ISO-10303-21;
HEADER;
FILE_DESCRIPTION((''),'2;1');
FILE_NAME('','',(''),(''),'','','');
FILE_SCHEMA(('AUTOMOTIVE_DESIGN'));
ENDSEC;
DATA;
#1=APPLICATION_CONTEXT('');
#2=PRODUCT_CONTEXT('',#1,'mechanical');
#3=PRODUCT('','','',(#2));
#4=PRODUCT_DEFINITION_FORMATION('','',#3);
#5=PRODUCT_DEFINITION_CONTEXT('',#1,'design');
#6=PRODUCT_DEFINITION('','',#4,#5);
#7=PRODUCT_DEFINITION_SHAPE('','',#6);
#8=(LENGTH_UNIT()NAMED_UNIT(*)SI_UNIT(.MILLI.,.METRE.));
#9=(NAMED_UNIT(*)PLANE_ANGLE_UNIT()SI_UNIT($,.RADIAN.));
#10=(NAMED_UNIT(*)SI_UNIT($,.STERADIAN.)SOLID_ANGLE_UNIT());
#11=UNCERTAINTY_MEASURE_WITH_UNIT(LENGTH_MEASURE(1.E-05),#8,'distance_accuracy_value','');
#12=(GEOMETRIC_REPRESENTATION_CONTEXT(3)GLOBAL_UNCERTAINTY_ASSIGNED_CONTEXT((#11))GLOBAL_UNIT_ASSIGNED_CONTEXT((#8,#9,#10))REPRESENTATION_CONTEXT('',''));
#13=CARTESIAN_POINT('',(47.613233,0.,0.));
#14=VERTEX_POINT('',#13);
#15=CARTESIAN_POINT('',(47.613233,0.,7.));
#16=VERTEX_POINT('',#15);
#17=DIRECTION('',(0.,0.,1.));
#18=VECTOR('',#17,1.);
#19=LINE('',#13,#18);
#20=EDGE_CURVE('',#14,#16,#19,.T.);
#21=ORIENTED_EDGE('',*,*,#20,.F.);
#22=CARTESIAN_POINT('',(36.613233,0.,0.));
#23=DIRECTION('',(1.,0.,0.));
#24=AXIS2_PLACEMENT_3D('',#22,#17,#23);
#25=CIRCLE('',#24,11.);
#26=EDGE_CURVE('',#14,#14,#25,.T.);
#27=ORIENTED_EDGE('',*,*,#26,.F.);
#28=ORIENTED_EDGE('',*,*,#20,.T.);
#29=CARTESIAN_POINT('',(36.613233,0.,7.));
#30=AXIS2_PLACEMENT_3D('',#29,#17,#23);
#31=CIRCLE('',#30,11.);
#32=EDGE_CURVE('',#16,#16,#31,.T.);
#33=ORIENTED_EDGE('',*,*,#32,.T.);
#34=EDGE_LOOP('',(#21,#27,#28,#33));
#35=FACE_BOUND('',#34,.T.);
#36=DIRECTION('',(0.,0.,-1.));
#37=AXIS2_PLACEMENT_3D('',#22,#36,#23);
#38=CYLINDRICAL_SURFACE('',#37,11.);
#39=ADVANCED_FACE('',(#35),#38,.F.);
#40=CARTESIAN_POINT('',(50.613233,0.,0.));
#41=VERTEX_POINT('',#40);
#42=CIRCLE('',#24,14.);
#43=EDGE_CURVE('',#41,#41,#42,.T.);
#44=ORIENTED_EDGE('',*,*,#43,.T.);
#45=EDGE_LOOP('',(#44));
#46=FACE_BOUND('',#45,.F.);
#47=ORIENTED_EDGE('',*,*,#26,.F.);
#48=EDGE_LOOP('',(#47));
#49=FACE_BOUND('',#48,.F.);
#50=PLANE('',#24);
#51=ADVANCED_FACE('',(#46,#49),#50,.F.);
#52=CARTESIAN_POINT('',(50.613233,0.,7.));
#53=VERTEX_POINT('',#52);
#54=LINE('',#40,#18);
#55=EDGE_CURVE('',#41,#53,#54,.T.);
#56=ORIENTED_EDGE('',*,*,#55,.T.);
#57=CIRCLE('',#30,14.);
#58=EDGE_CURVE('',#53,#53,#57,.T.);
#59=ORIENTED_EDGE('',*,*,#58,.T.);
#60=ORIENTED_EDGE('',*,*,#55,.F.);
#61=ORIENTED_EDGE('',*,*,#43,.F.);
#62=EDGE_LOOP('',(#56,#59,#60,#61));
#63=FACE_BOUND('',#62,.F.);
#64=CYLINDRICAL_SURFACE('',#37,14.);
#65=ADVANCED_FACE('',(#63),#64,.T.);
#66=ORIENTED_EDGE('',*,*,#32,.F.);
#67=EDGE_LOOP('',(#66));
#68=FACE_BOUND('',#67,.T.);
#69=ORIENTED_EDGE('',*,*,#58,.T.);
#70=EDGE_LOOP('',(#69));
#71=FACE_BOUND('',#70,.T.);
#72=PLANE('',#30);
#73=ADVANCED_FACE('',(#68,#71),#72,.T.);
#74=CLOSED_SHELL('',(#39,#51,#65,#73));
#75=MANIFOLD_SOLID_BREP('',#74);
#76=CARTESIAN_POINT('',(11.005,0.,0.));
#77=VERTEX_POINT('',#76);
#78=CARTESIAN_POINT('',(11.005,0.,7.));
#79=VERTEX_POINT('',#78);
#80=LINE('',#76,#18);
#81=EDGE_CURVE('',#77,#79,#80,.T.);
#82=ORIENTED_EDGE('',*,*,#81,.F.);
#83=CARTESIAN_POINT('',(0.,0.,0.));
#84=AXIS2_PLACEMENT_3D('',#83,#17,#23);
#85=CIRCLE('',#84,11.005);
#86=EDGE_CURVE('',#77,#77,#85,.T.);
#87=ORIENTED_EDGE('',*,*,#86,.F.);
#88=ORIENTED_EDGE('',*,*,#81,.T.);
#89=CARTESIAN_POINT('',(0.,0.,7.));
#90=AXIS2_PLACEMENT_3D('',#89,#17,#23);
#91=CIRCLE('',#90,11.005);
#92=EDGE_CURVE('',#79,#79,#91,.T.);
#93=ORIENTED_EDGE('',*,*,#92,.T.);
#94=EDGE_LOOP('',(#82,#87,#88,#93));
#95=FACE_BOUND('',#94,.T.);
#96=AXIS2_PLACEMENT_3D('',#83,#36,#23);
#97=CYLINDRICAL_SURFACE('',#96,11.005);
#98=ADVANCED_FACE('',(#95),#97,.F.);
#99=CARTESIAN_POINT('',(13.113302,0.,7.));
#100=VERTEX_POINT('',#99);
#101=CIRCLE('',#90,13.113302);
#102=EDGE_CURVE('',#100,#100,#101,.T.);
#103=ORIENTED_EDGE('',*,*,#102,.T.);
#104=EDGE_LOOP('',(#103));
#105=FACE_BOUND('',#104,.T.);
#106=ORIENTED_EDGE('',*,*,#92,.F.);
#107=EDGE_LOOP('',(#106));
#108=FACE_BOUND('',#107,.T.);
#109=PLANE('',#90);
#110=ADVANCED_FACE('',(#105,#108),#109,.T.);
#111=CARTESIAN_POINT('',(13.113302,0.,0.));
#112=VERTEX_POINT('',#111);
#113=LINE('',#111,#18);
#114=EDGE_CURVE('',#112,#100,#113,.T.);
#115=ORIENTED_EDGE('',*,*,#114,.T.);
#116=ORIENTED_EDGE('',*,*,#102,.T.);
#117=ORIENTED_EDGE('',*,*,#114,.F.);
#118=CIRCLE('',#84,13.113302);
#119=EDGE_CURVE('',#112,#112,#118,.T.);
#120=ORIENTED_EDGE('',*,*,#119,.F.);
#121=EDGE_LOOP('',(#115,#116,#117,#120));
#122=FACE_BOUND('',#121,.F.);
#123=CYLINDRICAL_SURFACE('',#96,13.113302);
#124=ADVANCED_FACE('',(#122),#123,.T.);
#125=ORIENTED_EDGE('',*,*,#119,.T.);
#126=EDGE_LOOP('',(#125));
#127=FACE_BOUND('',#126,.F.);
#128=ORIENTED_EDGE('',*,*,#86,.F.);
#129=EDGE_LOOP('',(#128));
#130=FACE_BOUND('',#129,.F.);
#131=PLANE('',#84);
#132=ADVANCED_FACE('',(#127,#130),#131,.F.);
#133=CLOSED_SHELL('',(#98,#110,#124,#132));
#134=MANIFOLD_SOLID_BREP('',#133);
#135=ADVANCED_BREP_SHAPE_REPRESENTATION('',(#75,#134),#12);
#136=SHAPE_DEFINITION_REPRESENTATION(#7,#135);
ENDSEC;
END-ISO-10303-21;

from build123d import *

# Parameters (mm, degrees)
F0_R     = 13.113302
F0_R_2   = 11.005
F0_R_3   = 14
F0_R_4   = 11
F1_DEPTH = 7


with BuildPart() as f1:
    # F0 (on Top) → F1 (new body)
    with BuildSketch(Plane.XY):
        Circle(F0_R)
        Circle(F0_R_2, mode=Mode.SUBTRACT)
        with Locations((36.613233, 0)):
            Circle(F0_R_3)
        with Locations((36.613233, 0)):
            Circle(F0_R_4, mode=Mode.SUBTRACT)
    extrude(amount=F1_DEPTH)


solid = f1.part
